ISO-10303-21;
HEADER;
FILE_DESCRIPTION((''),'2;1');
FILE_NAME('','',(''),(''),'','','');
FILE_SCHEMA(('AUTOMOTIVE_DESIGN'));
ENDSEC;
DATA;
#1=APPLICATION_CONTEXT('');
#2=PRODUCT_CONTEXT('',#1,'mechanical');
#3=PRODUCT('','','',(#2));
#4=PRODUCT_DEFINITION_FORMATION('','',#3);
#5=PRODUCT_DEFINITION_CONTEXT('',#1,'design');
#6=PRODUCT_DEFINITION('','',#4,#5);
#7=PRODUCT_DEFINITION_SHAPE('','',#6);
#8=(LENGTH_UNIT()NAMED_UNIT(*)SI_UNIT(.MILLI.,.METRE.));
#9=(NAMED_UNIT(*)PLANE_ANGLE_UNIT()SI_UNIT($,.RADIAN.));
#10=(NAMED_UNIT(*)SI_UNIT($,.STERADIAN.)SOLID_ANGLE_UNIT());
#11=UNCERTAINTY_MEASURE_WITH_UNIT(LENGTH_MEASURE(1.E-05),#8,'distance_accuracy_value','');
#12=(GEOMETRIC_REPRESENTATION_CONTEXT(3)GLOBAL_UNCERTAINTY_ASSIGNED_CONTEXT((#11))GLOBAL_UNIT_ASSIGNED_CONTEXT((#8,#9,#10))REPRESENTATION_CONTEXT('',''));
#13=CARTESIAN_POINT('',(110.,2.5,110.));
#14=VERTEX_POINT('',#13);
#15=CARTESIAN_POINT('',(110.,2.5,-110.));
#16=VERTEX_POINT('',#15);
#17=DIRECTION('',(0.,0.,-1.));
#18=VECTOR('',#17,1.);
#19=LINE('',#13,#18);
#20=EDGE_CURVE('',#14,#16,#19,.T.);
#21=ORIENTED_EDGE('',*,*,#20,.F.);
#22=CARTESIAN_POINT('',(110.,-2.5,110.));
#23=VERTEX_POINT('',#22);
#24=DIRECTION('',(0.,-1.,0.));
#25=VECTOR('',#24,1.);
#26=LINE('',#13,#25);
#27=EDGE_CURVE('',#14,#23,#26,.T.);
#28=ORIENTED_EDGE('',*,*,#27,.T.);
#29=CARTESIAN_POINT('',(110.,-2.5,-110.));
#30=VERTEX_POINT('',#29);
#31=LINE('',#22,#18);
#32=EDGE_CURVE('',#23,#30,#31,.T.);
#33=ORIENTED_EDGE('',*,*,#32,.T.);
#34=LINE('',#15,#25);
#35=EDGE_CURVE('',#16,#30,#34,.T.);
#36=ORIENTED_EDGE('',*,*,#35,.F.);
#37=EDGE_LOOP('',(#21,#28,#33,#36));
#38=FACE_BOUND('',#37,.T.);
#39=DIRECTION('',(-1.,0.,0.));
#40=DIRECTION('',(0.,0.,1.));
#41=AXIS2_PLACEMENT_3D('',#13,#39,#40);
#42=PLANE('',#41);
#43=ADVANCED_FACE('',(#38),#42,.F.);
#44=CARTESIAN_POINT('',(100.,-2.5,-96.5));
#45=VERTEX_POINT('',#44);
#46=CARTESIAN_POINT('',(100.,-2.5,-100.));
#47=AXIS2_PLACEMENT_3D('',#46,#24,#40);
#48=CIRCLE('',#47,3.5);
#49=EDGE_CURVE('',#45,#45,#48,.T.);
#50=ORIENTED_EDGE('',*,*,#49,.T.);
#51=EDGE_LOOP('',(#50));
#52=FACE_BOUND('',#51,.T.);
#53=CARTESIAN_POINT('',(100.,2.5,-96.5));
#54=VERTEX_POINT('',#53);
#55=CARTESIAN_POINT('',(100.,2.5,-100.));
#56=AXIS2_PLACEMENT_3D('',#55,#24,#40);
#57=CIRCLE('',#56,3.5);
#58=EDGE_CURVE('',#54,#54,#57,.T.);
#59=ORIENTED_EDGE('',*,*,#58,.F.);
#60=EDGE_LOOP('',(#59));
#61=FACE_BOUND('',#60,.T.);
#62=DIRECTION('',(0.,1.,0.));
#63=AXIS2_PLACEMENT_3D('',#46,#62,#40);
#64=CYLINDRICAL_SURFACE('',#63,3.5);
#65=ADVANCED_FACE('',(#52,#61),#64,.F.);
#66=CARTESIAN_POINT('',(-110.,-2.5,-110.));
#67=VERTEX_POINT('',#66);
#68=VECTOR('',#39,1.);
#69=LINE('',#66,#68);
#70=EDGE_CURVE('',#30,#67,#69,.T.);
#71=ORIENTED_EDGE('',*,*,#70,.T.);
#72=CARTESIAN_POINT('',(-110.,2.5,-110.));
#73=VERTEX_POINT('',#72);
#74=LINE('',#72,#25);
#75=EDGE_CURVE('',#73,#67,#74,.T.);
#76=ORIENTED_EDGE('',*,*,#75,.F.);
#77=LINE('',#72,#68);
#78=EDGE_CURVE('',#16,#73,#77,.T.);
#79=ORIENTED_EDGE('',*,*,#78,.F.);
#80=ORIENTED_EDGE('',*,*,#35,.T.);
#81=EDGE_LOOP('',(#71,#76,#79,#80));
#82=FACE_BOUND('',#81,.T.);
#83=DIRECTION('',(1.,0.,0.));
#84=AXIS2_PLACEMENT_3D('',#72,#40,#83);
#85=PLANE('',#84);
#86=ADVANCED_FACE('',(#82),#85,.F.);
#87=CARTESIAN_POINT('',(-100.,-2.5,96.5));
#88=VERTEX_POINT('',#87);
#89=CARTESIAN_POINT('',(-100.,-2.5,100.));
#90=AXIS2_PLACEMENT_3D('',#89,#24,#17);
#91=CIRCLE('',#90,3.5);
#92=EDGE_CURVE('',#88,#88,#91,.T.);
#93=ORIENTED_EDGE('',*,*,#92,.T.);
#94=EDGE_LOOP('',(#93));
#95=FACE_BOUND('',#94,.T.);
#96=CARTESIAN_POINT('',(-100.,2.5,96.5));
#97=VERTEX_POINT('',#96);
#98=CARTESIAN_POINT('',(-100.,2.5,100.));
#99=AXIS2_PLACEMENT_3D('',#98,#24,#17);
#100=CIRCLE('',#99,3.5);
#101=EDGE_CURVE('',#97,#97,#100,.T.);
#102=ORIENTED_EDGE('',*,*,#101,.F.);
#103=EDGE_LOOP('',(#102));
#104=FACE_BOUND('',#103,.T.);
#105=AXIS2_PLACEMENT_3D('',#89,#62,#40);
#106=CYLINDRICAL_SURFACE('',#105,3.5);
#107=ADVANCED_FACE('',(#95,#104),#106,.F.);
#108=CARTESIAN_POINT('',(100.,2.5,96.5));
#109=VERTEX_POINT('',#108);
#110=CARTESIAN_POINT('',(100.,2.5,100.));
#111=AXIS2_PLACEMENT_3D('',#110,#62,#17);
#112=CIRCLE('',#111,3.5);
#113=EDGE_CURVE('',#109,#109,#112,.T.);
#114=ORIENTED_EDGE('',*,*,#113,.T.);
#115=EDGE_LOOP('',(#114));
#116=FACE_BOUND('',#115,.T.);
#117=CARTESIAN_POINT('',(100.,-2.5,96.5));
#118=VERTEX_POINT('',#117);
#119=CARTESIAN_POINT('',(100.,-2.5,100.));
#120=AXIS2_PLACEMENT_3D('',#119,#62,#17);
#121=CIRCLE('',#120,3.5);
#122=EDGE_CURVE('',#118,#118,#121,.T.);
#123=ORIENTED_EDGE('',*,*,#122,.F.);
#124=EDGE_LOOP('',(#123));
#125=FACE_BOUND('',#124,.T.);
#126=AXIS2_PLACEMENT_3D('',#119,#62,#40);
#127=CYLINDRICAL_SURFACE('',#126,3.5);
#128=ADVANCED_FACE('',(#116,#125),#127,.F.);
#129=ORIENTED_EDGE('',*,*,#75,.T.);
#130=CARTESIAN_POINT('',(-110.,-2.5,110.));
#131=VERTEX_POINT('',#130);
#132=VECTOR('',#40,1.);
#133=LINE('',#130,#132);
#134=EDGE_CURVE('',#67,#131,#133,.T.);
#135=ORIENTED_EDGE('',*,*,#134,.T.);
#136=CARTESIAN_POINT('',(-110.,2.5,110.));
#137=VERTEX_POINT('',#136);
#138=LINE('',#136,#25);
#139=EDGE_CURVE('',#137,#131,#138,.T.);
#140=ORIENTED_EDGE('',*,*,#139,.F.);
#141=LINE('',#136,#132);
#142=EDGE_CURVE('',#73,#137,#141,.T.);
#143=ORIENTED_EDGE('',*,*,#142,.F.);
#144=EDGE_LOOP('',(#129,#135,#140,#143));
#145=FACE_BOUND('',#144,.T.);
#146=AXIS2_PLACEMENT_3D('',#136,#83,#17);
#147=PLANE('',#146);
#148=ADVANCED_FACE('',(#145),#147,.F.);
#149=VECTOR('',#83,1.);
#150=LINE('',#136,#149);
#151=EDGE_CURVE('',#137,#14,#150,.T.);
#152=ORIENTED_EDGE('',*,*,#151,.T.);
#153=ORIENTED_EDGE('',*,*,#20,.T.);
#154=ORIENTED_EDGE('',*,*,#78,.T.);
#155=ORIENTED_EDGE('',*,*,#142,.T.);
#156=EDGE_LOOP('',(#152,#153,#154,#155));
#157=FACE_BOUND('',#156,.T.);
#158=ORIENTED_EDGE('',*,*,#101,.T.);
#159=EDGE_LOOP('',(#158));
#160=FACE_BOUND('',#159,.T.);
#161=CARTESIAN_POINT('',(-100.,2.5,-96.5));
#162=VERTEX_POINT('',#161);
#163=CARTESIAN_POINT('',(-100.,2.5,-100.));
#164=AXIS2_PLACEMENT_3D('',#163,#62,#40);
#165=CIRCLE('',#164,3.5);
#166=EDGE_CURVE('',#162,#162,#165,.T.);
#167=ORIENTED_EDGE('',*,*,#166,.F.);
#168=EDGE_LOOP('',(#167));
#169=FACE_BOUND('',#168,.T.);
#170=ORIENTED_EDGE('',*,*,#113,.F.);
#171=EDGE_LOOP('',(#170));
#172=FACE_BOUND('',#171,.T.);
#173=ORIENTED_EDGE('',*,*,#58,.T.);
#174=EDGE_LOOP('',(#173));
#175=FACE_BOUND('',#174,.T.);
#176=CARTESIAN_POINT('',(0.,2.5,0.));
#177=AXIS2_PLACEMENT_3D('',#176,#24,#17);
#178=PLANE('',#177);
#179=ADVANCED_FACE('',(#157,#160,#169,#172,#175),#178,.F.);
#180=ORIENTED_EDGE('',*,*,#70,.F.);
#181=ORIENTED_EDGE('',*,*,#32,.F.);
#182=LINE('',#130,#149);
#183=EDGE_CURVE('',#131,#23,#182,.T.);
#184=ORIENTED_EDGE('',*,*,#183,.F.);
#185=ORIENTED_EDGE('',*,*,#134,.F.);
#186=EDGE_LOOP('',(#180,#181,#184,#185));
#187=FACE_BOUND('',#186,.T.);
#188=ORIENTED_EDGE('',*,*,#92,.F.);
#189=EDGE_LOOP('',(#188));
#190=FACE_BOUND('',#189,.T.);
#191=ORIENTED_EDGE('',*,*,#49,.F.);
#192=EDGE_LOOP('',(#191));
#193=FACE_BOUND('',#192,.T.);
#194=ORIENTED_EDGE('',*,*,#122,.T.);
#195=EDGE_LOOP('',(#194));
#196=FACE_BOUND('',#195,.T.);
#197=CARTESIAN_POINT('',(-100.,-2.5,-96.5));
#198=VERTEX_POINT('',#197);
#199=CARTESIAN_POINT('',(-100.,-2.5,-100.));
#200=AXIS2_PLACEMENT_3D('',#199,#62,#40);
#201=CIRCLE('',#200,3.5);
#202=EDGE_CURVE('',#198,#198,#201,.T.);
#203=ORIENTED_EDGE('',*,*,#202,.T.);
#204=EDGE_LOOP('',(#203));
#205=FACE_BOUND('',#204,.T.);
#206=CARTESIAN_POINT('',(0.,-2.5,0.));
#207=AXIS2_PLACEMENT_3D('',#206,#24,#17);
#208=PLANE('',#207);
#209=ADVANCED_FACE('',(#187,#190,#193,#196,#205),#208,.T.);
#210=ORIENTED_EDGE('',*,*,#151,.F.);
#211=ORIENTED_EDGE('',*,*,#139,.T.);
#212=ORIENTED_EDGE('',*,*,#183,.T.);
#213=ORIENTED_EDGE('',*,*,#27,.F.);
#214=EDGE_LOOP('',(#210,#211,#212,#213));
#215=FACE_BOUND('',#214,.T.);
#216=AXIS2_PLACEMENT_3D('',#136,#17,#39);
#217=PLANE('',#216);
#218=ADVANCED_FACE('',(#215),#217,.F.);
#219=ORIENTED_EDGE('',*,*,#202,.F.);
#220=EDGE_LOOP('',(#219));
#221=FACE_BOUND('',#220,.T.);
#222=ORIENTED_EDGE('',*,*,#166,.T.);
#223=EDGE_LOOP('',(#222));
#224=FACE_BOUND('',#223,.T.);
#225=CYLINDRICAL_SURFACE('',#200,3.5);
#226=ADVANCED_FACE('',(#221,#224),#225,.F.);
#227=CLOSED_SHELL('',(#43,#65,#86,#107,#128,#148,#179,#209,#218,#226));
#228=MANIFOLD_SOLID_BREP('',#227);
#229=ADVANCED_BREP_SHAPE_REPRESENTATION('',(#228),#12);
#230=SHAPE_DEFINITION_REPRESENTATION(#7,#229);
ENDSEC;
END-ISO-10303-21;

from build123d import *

# Parameters (mm, degrees)
SKETCH1_W               = 220
SKETCH1_H               = 220
BOSS_EXTRUDE1_DEPTH     = 2.5
SKETCH4_R               = 3.5
CUT_EXTRUDE1_DEPTH      = 5
MIRROR4_COPY_1_SKETCH_R = 3.5
MIRROR4_COPY_1_DEPTH    = 5


with BuildPart() as part:
    # Sketch1 → Boss-Extrude1 (new, symmetric)
    with BuildSketch(Plane(origin=(0, 0, 0), x_dir=(1, 0, 0), z_dir=(0, 1, 0))):
        Rectangle(SKETCH1_W, SKETCH1_H)
    extrude(amount=BOSS_EXTRUDE1_DEPTH, both=True)

    # Sketch4 → Cut-Extrude1 (cut)
    with BuildSketch(Plane(origin=(0, 2.5, 0), x_dir=(1, 0, 0), z_dir=(0, 1, 0))):
        with Locations(Location((-100, 100, 0), (0, 0, 270))):
            Circle(SKETCH4_R)
    cut_extrude1 = extrude(amount=-CUT_EXTRUDE1_DEPTH, mode=Mode.SUBTRACT)

    # Mirror3: Cut-Extrude1 across plane
    add(cut_extrude1.mirror(Plane(origin=(0, 0, 0), x_dir=(0, 0, 1), z_dir=(1, 0, 0))), mode=Mode.SUBTRACT)

    # Mirror4: Cut-Extrude1 across plane
    add(cut_extrude1.mirror(Plane.XY), mode=Mode.SUBTRACT)

    # Mirror4 copy 1 sketch → Mirror4 copy 1 (cut)
    with BuildSketch(Plane(origin=(0, 2.5, 0), x_dir=(-1, 0, 0), z_dir=(0, 1, 0))):
        with Locations(Location((-100, 100, 0), (0, 0, 270))):
            Circle(MIRROR4_COPY_1_SKETCH_R)
    extrude(amount=-MIRROR4_COPY_1_DEPTH, mode=Mode.SUBTRACT)


solid = part.part
